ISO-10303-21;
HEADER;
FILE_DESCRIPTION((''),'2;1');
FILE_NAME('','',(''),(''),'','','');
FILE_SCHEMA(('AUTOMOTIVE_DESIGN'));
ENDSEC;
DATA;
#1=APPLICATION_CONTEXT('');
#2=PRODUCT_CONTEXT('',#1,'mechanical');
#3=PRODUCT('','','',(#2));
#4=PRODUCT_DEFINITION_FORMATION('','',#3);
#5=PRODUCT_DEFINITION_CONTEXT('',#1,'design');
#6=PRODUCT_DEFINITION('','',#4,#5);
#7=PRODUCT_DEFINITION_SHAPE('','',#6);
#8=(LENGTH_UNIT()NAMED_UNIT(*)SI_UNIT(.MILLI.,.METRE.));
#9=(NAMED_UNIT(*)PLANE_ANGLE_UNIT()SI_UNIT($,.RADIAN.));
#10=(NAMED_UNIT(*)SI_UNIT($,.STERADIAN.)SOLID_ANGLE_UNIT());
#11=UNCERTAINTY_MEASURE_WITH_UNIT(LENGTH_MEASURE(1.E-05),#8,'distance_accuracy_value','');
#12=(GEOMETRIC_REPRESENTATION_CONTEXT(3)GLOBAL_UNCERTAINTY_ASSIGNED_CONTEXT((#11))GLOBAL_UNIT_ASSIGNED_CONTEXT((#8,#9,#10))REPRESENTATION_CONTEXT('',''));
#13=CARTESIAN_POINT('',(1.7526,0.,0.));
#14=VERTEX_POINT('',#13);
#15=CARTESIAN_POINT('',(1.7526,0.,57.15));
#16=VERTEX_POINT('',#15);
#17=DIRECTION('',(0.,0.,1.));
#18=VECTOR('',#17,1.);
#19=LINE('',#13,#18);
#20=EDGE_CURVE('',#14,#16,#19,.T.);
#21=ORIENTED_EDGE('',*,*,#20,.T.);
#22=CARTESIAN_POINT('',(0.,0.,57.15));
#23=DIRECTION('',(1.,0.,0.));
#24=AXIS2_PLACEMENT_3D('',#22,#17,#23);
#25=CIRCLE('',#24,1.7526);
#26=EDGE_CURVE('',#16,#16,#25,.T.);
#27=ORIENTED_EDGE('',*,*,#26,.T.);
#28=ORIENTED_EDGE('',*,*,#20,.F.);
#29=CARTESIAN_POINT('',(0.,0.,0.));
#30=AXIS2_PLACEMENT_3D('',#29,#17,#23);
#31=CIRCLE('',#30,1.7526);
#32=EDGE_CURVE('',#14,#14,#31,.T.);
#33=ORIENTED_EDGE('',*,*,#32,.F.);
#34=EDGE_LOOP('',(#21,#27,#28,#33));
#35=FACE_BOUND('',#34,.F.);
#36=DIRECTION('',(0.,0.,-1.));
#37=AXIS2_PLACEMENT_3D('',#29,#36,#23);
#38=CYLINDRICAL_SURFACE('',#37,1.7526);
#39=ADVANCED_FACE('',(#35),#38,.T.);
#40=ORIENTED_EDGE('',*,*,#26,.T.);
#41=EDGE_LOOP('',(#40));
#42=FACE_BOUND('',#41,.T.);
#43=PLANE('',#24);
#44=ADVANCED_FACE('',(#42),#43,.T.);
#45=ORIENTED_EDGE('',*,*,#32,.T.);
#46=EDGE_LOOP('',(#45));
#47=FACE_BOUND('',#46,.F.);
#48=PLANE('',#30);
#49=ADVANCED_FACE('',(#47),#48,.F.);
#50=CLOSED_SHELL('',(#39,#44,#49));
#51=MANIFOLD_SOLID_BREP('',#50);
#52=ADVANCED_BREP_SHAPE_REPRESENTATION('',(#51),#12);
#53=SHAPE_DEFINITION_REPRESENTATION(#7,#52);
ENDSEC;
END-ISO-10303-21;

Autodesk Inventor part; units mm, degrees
ref_plane "YZ Plane" through (0, 0, 0) normal (1, 0, 0) x (0, 1, 0)
ref_plane "XZ Plane" through (0, 0, 0) normal (0, 1, 0) x (-1, 0, 0)
ref_plane "XY Plane" through (0, 0, 0) normal (0, 0, 1) x (1, 0, 0)
sketch "Sketch1" plane through (0, 0, 0) normal (0, 0, 1) x (1, 0, 0)
  circle A0 centre (0, 0) radius 1.7526
  dimension "d0" = 3.5052
extrude "Extrusion1" add sketch "Sketch1" along normal blind 57.15
thread "Thread1" size "6-32 UNC" class "2A" standard "ANSI Unified Screw Threads" full length
properties part number "MolyRodLong"
